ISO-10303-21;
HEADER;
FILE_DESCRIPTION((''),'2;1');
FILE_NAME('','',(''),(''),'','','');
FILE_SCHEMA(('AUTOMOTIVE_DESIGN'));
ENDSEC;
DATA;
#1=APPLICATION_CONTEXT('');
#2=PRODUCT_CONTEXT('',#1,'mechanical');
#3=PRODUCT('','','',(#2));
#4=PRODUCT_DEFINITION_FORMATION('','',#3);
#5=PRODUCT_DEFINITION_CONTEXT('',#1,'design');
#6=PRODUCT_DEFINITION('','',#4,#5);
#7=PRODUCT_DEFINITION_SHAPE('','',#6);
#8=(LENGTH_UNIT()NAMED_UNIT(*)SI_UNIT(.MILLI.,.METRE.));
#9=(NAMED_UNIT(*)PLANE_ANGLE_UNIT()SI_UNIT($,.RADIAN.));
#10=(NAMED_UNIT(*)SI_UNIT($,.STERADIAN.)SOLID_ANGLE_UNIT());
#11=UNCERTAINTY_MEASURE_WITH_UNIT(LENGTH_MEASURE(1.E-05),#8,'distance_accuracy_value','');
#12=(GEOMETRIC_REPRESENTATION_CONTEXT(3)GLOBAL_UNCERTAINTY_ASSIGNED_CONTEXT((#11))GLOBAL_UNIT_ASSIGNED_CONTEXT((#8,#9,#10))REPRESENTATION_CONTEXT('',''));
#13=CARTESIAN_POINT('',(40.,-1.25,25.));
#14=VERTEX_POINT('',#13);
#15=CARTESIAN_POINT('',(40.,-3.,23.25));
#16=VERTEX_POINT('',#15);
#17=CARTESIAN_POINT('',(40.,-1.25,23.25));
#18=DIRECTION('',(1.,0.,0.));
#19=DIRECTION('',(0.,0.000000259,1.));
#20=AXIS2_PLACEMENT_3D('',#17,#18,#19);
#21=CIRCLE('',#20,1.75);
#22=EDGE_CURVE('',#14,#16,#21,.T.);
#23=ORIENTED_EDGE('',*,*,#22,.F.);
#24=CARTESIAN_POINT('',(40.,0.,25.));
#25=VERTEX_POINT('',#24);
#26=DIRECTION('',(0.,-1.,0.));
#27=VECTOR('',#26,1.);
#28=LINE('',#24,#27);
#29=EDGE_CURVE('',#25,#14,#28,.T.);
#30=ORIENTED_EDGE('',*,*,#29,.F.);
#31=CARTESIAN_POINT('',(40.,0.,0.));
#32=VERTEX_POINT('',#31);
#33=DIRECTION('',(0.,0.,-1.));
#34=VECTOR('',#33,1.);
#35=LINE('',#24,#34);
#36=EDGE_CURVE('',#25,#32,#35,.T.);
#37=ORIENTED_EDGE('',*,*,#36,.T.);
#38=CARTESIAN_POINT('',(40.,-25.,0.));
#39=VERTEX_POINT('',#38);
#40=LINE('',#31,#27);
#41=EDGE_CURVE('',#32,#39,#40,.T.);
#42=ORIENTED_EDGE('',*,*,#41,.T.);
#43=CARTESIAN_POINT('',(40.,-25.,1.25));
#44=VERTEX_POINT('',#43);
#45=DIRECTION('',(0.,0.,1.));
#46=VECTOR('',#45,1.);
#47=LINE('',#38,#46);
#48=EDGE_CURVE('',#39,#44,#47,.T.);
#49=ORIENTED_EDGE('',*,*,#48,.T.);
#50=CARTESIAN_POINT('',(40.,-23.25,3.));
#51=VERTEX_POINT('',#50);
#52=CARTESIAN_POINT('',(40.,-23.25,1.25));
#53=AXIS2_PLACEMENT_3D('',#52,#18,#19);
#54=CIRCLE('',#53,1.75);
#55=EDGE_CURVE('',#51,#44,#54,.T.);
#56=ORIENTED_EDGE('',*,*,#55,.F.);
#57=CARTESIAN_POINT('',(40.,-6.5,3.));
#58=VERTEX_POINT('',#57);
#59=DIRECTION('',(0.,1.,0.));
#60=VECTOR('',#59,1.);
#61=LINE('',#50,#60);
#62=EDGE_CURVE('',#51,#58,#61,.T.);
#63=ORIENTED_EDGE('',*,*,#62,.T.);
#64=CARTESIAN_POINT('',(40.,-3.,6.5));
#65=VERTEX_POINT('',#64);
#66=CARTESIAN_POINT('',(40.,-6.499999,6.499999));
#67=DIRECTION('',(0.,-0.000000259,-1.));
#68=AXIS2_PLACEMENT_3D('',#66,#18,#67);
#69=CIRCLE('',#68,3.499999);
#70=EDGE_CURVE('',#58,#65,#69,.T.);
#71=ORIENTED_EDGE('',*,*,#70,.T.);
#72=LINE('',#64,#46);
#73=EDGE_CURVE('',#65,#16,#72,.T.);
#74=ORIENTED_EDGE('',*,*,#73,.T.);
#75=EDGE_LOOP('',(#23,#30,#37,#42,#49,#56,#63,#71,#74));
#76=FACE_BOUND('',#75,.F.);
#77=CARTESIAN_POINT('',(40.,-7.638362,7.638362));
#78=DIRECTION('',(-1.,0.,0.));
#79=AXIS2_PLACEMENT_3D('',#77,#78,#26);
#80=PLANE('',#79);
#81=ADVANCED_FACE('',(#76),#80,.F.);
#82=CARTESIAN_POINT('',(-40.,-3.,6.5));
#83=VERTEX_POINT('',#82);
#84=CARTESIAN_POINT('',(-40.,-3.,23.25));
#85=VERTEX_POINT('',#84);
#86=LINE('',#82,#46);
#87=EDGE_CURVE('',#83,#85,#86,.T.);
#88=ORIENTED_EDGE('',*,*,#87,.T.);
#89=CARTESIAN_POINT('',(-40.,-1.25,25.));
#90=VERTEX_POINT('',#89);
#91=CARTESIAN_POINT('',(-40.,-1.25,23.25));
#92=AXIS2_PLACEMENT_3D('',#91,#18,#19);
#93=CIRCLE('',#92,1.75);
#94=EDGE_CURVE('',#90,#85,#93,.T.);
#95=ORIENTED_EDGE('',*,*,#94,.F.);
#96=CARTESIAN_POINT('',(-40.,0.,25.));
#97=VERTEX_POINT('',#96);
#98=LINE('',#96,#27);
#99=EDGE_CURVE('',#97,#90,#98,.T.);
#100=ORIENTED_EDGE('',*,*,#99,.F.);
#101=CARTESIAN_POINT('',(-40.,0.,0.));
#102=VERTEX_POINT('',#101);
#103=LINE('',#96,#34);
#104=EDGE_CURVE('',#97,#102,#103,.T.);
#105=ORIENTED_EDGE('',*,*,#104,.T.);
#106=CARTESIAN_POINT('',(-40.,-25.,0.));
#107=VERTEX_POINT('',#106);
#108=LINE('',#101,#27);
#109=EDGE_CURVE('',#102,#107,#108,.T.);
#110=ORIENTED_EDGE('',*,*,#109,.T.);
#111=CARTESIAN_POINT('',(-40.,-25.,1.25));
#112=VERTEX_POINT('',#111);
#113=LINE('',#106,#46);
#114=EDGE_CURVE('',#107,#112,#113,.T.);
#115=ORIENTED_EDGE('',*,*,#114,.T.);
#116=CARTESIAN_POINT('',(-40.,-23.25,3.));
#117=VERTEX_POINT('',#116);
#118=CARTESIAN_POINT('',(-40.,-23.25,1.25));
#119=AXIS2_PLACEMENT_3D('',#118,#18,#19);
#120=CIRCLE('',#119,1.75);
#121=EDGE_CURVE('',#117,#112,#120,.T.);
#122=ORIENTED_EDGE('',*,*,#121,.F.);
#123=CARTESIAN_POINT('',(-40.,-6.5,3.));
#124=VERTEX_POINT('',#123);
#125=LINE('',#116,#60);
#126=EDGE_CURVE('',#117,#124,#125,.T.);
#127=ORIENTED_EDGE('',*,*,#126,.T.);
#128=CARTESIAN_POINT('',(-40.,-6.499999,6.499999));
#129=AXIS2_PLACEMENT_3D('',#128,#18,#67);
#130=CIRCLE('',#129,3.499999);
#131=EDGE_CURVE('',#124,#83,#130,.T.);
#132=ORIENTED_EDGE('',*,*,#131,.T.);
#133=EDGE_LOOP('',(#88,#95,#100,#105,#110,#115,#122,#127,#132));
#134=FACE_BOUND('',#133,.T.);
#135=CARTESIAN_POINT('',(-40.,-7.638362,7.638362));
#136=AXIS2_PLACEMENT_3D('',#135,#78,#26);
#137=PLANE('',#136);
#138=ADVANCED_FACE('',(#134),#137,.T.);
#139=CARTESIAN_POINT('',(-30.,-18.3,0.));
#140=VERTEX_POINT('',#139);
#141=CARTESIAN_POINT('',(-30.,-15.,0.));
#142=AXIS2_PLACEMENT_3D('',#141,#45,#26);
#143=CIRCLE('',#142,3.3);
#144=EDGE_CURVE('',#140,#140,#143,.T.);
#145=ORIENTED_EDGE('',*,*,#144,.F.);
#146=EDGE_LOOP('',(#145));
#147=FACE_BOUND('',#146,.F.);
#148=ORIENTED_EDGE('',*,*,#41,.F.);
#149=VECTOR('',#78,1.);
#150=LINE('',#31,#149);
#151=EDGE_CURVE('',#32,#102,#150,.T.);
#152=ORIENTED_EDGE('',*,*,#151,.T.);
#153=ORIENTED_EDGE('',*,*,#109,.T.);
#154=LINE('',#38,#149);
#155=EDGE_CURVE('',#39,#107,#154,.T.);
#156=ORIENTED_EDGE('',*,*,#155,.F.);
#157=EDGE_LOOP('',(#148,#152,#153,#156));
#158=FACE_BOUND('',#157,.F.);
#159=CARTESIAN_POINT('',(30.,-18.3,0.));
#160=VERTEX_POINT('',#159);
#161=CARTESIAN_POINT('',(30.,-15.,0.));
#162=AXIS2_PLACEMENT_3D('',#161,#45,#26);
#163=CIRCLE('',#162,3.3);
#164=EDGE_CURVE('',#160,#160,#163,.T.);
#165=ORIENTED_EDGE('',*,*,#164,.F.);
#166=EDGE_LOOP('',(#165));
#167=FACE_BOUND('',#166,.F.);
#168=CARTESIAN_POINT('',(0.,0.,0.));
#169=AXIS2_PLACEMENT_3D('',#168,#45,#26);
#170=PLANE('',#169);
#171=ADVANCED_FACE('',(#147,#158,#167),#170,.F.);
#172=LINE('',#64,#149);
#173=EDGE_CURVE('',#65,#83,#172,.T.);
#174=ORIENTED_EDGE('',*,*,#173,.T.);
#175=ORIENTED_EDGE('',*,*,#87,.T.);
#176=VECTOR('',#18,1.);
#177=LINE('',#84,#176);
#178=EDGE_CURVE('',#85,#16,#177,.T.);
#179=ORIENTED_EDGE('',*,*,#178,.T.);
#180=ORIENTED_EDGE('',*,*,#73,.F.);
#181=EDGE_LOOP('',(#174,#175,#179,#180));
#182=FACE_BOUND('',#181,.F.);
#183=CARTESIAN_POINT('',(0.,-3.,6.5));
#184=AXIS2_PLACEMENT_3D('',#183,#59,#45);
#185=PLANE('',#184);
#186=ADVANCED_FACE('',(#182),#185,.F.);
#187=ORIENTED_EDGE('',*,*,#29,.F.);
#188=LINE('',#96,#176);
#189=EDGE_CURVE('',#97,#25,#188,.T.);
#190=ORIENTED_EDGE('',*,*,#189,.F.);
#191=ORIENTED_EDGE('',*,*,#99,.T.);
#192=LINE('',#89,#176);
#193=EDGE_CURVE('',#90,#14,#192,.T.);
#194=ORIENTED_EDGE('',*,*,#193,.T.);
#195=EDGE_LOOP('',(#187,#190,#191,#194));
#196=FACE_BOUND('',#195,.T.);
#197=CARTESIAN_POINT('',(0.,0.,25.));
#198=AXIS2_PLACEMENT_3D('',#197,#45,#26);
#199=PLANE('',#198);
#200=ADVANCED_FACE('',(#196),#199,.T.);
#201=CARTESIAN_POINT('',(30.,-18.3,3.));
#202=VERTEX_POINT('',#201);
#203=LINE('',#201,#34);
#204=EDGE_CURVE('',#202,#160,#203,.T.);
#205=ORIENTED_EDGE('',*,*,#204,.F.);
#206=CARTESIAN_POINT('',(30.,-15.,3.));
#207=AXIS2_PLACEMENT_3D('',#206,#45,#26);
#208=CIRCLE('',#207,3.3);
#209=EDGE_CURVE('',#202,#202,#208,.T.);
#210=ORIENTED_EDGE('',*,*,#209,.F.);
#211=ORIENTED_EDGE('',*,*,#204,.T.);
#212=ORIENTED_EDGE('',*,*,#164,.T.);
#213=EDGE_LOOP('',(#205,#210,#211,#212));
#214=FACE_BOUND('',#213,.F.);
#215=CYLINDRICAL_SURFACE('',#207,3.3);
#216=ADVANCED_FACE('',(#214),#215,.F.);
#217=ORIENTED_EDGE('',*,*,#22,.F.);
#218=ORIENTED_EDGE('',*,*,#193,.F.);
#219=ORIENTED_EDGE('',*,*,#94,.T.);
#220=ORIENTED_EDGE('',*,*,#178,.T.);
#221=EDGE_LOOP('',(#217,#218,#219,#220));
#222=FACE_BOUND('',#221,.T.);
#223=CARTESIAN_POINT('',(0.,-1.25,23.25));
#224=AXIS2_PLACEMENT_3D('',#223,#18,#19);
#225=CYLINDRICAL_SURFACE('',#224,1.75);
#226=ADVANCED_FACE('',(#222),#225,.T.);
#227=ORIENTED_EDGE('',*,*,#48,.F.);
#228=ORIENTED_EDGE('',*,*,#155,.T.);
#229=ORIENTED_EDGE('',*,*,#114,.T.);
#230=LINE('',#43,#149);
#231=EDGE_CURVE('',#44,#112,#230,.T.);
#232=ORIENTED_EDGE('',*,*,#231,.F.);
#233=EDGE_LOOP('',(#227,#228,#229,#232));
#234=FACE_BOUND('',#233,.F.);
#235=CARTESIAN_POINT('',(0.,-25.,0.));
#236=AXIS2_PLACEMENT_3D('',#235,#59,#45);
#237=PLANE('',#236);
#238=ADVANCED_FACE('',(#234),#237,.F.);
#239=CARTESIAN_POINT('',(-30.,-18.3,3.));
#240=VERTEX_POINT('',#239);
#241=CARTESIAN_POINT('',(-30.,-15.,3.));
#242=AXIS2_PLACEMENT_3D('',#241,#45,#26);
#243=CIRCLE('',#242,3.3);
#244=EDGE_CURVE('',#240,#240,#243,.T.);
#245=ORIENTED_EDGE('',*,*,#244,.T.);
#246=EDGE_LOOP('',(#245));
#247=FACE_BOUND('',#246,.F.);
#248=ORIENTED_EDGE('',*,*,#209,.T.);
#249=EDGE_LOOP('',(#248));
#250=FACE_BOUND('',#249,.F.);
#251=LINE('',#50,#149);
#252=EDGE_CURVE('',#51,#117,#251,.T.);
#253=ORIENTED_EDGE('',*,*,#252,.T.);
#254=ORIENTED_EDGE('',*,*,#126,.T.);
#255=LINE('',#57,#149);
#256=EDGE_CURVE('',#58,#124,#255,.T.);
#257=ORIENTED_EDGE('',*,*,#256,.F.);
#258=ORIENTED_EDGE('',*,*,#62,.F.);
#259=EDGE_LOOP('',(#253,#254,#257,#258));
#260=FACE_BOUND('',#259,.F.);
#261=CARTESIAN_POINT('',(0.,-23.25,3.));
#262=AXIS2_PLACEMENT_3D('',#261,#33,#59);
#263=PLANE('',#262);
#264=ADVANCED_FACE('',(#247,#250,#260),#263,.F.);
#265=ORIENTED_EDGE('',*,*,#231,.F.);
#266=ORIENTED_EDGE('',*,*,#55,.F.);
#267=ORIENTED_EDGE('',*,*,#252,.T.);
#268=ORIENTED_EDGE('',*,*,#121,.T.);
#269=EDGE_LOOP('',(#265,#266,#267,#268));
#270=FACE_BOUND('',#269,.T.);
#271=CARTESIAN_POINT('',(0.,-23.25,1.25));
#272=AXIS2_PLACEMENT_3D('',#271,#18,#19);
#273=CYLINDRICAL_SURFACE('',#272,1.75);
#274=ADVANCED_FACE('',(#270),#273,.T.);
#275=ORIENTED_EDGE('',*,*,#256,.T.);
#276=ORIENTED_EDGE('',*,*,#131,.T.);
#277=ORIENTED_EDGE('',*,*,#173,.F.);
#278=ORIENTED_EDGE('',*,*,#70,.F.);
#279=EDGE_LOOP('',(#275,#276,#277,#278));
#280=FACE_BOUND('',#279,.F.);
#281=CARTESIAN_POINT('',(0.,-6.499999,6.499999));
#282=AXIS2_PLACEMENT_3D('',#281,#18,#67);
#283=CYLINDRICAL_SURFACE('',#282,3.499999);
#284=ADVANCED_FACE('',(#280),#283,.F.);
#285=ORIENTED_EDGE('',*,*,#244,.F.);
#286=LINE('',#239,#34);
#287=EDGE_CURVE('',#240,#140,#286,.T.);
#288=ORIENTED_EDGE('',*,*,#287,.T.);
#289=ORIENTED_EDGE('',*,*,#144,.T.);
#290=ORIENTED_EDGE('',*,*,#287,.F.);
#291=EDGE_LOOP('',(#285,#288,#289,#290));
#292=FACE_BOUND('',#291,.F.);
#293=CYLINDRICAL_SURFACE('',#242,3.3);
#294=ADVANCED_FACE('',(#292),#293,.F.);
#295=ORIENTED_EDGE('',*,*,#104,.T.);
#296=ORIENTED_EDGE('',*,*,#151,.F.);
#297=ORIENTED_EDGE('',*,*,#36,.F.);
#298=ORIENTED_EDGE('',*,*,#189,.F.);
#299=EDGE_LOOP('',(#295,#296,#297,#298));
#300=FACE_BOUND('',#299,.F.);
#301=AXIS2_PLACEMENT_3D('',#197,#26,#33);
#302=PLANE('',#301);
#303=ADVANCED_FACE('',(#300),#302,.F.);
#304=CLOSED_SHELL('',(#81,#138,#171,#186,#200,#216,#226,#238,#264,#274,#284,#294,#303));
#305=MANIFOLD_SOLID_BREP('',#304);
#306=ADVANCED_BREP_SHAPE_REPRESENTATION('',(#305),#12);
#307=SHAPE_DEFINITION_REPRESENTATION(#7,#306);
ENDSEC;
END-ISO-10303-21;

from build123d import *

# Parameters (mm, degrees)
PAD_DEPTH   = 40
SKETCH001_R = 3.3
HOLE_DEPTH  = 3.001


with BuildPart() as part:
    # Sketch → Pad (new body, symmetric)
    with BuildSketch(Plane.YZ):
        with BuildLine():
            Line((0, 25), (0, 0))
            Line((0, 0), (-25, 0))
            Line((-25, 0), (-25, 1.25))
            ThreePointArc((-23.25, 3), (-24.487437, 2.487437), (-25, 1.25))
            Line((-23.25, 3), (-6.5, 3))
            ThreePointArc((-6.5, 3), (-4.025126, 4.025126), (-3, 6.5))
            Line((-3, 6.5), (-3, 23.25))
            ThreePointArc((-1.25, 25), (-2.487437, 24.487437), (-3, 23.25))
            Line((0, 25), (-1.25, 25))
        make_face()
    extrude(amount=PAD_DEPTH, both=True)

    # Sketch001 (on Face6 of Pad) → Hole (cut, through all)
    with BuildSketch(Plane(origin=(0, 0, 3), x_dir=(0, -1, 0), z_dir=(0, 0, 1))):
        with Locations((15, 30)):
            Circle(SKETCH001_R)
        with Locations((15, -30)):
            Circle(SKETCH001_R)
    extrude(amount=-HOLE_DEPTH, mode=Mode.SUBTRACT)


solid = part.part
